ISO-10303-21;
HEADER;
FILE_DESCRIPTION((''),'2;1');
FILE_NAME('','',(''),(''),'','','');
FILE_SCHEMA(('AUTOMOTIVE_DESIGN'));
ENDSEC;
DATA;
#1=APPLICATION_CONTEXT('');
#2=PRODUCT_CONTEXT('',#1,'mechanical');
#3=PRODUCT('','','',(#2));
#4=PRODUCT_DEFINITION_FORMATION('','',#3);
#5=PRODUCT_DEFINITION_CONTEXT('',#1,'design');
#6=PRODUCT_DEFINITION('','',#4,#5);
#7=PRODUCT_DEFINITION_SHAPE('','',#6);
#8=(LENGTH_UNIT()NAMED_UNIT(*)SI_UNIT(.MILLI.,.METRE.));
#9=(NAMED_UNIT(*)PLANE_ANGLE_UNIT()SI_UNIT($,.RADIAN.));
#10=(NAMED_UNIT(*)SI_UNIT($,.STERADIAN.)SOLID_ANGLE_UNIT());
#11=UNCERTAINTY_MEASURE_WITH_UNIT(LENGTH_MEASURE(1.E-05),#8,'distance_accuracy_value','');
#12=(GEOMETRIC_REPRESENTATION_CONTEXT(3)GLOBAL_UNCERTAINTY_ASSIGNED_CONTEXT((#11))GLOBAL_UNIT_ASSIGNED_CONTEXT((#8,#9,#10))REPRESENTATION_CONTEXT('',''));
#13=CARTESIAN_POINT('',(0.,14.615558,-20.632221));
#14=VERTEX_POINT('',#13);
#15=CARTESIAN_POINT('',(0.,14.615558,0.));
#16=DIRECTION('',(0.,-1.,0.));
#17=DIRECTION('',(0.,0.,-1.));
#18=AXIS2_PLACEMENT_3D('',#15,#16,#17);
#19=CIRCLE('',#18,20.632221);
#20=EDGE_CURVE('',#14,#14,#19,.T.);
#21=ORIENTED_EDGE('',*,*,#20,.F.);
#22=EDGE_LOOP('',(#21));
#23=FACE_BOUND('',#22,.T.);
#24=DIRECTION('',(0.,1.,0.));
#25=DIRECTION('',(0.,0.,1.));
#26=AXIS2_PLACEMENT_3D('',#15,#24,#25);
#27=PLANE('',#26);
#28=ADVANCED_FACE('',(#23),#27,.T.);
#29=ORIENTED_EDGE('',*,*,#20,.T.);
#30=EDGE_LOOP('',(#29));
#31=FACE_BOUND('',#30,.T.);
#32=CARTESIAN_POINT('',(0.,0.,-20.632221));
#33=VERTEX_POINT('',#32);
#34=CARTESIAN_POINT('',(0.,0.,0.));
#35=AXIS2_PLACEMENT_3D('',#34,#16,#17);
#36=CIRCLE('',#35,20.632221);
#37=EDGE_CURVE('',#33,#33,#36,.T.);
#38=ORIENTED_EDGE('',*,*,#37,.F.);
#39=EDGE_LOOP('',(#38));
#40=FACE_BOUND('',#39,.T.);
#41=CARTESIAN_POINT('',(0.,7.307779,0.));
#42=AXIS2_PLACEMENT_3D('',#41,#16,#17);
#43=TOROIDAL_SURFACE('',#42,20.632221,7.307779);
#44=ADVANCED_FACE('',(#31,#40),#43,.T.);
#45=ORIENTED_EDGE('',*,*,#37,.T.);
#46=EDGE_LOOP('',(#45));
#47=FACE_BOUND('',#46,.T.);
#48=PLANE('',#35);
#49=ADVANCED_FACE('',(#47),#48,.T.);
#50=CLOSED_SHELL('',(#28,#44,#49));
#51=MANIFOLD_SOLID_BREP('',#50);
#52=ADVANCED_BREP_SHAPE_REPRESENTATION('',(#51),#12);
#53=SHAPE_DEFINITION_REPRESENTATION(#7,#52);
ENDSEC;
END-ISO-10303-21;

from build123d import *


with BuildPart() as part:
    # Sketch1 → Revolve1 (revolve)
    with BuildSketch(Plane(origin=(0, 0, 0), x_dir=(0, 0, -1), z_dir=(1, 0, 0))):
        with BuildLine():
            Line((0, 0), (20.632220903, 0))
            ThreePointArc((20.632220903, 0), (27.94, 7.307779097), (20.632220903, 14.615558195))
            Line((20.632220903, 14.615558195), (0, 14.615558195))
            Line((0, 14.615558195), (0, 0))
        make_face()
    revolve(axis=Axis((0, 0, 0), (0, 1, 0)))


solid = part.part
